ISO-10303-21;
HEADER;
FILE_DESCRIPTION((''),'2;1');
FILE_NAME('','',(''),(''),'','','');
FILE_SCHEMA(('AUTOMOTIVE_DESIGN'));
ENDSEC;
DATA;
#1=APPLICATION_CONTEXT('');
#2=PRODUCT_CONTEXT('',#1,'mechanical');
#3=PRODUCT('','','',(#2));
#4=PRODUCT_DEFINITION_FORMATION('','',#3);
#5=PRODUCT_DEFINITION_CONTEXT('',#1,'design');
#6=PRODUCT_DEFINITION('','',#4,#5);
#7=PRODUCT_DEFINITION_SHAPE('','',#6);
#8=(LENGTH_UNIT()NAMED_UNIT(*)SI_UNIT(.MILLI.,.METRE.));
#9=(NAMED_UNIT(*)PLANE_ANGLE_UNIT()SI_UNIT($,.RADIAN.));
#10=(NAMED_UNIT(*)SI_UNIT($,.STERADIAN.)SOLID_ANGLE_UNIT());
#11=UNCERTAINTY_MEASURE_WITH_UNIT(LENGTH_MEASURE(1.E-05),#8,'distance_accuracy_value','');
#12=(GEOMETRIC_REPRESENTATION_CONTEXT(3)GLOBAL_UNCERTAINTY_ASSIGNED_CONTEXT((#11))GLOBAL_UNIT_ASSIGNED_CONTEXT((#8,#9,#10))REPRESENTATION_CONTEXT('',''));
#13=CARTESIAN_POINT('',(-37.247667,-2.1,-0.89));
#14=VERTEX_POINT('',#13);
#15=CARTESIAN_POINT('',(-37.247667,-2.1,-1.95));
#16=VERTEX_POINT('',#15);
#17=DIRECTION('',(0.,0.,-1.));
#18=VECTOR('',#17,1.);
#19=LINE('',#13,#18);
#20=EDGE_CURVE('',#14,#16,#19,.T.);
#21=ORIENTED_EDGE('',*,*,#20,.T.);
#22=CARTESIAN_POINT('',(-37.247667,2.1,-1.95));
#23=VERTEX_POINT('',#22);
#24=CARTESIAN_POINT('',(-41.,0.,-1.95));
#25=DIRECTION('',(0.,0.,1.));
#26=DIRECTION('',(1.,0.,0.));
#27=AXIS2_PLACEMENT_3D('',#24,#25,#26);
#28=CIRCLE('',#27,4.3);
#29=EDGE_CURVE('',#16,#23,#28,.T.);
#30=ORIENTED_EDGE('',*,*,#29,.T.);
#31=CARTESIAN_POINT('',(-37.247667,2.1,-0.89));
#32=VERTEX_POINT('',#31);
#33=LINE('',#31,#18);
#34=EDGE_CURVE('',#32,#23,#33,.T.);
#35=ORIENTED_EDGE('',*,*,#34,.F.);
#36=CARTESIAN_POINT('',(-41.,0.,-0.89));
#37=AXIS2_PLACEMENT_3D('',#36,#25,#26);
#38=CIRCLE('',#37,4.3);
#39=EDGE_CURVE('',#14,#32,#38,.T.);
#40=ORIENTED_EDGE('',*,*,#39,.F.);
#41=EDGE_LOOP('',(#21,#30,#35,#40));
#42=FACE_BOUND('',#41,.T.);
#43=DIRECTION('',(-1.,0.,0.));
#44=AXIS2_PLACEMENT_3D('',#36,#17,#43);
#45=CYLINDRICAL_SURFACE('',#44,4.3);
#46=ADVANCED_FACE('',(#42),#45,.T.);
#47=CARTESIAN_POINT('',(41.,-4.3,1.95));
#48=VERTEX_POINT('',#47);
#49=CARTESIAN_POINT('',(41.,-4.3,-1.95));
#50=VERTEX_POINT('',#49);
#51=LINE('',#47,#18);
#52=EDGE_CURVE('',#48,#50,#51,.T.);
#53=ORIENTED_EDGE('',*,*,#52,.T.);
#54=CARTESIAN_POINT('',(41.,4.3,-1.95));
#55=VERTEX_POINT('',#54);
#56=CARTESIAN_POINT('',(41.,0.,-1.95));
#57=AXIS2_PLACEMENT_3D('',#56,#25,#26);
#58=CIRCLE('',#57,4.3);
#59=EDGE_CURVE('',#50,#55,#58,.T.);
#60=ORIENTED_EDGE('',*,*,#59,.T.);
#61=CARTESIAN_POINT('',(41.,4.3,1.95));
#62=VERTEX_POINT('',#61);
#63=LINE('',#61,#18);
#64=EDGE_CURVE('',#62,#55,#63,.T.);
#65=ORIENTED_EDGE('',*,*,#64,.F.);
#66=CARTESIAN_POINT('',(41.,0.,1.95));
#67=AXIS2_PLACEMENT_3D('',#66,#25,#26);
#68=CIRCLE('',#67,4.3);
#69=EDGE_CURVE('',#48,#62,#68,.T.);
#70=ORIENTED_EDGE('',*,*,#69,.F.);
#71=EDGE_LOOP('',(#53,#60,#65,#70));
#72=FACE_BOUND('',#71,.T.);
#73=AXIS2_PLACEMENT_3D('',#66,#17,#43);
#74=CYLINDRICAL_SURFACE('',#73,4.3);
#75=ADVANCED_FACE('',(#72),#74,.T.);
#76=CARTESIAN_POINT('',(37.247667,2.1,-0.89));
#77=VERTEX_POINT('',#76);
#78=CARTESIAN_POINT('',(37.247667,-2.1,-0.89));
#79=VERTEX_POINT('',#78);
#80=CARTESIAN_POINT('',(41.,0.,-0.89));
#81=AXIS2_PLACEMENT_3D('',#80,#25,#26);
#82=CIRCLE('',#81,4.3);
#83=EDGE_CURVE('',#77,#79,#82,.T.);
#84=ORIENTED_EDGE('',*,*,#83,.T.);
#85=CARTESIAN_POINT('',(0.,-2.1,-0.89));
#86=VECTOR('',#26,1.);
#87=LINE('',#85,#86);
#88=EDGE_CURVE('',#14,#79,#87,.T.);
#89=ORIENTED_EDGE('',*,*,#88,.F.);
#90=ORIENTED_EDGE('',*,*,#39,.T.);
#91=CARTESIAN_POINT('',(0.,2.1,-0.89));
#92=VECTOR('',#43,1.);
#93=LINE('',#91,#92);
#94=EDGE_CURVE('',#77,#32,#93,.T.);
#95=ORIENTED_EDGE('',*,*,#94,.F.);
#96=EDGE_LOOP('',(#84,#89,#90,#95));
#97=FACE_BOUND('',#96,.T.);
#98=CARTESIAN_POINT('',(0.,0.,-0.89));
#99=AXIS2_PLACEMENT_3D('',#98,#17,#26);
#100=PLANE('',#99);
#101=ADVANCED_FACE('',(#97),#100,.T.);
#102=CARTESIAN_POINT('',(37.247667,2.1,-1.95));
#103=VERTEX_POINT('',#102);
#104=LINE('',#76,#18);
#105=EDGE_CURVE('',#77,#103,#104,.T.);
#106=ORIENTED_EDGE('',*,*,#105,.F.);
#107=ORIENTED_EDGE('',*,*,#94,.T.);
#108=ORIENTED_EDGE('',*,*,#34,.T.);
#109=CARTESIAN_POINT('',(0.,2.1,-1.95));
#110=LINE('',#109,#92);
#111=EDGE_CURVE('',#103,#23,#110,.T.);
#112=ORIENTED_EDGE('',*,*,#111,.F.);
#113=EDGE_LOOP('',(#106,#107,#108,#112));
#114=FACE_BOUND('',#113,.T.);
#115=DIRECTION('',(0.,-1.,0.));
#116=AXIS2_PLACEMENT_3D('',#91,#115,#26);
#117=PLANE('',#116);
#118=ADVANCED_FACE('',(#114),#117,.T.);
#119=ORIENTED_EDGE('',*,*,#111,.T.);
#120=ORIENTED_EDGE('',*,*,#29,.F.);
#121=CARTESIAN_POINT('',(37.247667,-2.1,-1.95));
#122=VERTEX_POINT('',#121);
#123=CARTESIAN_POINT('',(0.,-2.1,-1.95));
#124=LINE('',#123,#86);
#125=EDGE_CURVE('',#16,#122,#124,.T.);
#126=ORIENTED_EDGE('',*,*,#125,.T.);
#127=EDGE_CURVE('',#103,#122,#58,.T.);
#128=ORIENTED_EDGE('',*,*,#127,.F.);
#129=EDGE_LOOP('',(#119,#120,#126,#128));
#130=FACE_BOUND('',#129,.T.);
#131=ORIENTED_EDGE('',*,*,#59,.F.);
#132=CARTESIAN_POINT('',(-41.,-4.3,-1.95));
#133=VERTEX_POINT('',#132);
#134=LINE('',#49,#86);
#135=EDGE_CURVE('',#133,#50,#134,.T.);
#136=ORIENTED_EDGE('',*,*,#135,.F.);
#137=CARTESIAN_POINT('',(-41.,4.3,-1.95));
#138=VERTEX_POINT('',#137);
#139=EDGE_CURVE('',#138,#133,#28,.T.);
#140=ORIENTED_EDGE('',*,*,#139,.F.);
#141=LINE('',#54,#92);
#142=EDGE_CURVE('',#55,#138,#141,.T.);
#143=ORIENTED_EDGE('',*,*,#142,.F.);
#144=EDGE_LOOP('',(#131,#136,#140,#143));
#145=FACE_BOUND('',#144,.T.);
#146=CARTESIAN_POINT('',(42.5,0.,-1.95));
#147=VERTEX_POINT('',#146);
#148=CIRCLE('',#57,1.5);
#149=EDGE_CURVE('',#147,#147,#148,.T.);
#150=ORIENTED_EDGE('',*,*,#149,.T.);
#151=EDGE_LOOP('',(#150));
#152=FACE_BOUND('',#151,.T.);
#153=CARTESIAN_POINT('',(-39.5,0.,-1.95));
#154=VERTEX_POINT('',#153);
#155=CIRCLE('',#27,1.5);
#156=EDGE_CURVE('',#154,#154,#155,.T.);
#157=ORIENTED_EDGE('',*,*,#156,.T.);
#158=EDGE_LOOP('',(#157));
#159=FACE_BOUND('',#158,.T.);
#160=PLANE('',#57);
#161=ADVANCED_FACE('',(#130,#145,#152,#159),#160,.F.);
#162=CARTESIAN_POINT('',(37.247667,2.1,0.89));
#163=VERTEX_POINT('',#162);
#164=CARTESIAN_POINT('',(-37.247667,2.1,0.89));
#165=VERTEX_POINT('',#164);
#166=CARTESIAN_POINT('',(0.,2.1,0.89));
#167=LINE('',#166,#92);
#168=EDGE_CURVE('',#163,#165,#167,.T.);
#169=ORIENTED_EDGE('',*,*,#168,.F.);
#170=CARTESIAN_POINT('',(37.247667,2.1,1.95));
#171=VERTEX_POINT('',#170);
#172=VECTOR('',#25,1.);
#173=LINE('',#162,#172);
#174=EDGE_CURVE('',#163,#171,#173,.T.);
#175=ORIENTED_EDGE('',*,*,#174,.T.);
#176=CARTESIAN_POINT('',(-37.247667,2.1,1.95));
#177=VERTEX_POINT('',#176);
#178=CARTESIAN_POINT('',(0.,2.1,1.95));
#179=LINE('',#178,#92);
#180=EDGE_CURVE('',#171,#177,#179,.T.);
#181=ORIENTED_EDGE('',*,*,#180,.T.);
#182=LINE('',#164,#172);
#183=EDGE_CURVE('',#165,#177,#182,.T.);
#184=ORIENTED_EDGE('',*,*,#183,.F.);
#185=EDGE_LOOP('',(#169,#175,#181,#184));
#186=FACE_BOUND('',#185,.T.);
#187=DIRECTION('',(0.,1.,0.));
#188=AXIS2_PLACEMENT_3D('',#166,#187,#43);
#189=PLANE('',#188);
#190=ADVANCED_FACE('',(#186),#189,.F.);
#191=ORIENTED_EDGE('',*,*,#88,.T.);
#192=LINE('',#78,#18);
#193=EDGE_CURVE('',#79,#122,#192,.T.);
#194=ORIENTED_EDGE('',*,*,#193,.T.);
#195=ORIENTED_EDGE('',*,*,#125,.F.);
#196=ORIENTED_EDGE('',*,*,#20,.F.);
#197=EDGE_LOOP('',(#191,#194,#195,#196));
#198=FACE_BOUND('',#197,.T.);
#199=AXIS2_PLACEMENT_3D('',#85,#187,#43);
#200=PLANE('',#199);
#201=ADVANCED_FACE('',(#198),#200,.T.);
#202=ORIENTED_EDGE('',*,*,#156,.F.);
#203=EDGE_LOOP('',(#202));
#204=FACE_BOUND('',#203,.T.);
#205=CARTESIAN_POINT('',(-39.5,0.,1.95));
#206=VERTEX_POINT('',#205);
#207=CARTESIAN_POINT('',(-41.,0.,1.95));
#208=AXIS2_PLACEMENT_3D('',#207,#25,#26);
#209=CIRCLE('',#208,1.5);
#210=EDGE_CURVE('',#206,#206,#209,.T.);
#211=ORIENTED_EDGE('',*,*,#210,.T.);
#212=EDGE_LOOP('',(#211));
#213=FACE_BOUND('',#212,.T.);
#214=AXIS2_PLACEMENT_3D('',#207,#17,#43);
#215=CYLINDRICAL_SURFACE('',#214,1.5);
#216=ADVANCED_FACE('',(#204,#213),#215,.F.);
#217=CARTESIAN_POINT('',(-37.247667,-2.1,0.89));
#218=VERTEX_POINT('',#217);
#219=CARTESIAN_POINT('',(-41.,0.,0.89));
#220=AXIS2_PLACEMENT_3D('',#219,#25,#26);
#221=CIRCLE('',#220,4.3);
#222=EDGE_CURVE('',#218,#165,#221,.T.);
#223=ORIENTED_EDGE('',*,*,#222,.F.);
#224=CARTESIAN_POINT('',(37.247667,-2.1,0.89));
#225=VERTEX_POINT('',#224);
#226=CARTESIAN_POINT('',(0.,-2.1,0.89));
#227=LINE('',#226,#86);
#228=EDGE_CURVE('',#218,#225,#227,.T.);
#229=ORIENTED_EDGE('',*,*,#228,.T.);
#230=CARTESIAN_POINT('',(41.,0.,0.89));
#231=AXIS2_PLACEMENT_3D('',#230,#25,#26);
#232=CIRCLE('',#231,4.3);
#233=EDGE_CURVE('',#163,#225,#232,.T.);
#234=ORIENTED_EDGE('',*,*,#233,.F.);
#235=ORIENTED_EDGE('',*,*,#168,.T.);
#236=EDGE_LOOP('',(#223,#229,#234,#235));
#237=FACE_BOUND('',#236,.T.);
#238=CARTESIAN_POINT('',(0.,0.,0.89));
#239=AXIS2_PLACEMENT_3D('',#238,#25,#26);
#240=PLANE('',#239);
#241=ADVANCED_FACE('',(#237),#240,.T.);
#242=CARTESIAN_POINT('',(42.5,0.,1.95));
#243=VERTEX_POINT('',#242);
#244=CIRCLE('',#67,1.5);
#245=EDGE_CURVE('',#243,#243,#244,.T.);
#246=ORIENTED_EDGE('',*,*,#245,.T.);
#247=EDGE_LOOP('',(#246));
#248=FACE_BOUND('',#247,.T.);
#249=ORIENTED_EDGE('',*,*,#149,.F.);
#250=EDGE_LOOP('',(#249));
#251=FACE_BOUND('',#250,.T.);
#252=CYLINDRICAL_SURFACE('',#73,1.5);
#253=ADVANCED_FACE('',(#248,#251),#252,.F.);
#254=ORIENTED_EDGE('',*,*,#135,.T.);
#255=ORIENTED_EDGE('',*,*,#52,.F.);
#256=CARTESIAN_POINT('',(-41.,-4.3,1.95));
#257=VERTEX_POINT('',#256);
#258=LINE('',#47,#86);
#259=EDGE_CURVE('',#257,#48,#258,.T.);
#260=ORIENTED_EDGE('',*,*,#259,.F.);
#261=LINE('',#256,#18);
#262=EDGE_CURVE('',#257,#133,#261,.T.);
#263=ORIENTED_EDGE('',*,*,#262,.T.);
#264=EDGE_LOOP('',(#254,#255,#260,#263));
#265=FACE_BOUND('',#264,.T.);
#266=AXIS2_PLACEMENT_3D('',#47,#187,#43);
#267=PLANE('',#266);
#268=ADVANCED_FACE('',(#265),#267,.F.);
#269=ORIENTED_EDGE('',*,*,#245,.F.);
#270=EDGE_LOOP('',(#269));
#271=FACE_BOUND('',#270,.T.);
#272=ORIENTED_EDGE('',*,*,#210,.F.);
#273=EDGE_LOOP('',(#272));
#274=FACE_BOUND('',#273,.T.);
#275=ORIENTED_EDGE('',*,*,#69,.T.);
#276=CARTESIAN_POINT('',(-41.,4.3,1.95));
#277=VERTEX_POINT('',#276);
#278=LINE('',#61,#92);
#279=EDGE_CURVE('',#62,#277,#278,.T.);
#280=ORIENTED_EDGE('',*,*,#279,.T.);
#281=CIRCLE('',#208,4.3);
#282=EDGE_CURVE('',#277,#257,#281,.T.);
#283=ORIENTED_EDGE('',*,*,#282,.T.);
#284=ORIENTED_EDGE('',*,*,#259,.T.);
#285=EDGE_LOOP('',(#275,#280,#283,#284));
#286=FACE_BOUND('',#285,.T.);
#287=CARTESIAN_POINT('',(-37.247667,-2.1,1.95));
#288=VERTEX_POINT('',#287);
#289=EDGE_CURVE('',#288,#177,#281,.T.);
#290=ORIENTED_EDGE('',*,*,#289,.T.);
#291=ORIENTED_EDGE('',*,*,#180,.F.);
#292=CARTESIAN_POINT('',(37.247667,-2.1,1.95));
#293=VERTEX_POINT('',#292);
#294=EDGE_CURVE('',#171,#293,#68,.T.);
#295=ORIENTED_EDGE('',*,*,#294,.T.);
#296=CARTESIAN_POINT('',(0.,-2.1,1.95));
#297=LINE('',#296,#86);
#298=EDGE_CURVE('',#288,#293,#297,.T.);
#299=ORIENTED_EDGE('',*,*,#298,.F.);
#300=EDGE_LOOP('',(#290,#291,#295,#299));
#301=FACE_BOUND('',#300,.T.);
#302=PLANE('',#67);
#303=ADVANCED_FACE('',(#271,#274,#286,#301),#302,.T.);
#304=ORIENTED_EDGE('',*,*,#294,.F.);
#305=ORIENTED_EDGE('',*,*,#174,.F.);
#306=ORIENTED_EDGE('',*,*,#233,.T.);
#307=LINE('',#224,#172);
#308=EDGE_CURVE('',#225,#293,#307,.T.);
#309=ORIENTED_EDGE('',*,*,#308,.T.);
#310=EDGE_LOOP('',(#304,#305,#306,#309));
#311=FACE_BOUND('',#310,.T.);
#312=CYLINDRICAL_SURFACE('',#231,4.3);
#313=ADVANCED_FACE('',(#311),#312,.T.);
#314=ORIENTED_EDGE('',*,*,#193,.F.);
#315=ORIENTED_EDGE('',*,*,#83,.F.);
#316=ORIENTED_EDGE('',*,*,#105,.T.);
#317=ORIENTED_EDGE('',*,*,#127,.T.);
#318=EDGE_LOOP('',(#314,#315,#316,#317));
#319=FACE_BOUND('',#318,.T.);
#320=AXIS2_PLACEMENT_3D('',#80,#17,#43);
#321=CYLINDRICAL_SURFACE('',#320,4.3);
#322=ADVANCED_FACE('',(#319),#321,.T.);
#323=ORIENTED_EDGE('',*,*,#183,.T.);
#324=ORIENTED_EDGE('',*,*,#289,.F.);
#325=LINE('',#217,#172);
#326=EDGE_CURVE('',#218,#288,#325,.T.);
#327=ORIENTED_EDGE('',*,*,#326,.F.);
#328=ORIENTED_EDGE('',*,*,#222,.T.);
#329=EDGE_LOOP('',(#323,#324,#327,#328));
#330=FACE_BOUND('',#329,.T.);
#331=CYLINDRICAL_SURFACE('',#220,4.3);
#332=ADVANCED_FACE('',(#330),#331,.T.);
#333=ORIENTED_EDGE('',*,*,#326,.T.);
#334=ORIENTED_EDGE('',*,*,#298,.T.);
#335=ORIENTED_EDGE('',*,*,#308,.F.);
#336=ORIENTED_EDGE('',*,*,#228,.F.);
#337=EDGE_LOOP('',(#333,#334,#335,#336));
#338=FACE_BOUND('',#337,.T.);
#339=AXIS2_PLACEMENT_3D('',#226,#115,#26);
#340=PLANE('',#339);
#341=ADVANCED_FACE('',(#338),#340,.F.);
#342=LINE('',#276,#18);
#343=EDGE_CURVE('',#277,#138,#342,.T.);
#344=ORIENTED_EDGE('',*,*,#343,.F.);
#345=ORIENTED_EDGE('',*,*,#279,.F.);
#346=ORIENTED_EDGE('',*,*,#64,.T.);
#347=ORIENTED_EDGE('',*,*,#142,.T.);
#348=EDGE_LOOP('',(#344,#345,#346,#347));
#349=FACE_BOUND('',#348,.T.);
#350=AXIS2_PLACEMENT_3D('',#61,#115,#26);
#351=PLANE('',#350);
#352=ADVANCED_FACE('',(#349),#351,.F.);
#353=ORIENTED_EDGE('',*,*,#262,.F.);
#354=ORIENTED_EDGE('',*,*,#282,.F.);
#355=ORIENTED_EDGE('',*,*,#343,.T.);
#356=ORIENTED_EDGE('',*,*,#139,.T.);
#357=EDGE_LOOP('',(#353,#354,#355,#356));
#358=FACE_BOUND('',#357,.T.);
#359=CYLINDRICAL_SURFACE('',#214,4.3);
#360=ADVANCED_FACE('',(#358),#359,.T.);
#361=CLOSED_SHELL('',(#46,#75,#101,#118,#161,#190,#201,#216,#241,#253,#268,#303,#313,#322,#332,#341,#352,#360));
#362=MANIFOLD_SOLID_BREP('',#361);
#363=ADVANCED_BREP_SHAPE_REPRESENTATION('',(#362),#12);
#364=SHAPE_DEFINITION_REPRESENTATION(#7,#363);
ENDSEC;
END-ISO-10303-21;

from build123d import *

# Parameters (mm, degrees)
SKETCH1_R           = 1.5
BOSS_EXTRUDE1_DEPTH = 1.95
CUT_EXTRUDE1_DEPTH  = 1.06


with BuildPart() as part:
    # Sketch1 → Boss-Extrude1 (new, symmetric)
    with BuildSketch(Plane.XY):
        with BuildLine():
            Line((41, -4.3), (-41, -4.3))
            ThreePointArc((-41, -4.3), (-45.3, 0), (-41, 4.3))
            Line((-41, 4.3), (41, 4.3))
            ThreePointArc((41, 4.3), (45.3, 0), (41, -4.3))
        make_face()
        with Locations((-41, 0)):
            Circle(SKETCH1_R, mode=Mode.SUBTRACT)
        with Locations((41, 0)):
            Circle(SKETCH1_R, mode=Mode.SUBTRACT)
    extrude(amount=BOSS_EXTRUDE1_DEPTH, both=True)

    # Sketch2 → Cut-Extrude1 (cut)
    with BuildSketch(Plane.XY.offset(1.95)):
        with BuildLine():
            ThreePointArc((37.247667392, -2.1), (36.7, 0), (37.247667392, 2.1))
            Line((37.247667392, 2.1), (-37.247667392, 2.1))
            ThreePointArc((-37.247667392, 2.1), (-36.83916894, 1.08511976), (-36.7, 0))
            ThreePointArc((-36.7, 0), (-36.83916894, -1.08511976), (-37.247667392, -2.1))
            Line((-37.247667392, -2.1), (37.247667392, -2.1))
        make_face()
    cut_extrude1 = extrude(amount=-CUT_EXTRUDE1_DEPTH, mode=Mode.SUBTRACT)

    # Mirror1: Cut-Extrude1 across plane
    add(cut_extrude1.mirror(Plane.XY), mode=Mode.SUBTRACT)


solid = part.part
